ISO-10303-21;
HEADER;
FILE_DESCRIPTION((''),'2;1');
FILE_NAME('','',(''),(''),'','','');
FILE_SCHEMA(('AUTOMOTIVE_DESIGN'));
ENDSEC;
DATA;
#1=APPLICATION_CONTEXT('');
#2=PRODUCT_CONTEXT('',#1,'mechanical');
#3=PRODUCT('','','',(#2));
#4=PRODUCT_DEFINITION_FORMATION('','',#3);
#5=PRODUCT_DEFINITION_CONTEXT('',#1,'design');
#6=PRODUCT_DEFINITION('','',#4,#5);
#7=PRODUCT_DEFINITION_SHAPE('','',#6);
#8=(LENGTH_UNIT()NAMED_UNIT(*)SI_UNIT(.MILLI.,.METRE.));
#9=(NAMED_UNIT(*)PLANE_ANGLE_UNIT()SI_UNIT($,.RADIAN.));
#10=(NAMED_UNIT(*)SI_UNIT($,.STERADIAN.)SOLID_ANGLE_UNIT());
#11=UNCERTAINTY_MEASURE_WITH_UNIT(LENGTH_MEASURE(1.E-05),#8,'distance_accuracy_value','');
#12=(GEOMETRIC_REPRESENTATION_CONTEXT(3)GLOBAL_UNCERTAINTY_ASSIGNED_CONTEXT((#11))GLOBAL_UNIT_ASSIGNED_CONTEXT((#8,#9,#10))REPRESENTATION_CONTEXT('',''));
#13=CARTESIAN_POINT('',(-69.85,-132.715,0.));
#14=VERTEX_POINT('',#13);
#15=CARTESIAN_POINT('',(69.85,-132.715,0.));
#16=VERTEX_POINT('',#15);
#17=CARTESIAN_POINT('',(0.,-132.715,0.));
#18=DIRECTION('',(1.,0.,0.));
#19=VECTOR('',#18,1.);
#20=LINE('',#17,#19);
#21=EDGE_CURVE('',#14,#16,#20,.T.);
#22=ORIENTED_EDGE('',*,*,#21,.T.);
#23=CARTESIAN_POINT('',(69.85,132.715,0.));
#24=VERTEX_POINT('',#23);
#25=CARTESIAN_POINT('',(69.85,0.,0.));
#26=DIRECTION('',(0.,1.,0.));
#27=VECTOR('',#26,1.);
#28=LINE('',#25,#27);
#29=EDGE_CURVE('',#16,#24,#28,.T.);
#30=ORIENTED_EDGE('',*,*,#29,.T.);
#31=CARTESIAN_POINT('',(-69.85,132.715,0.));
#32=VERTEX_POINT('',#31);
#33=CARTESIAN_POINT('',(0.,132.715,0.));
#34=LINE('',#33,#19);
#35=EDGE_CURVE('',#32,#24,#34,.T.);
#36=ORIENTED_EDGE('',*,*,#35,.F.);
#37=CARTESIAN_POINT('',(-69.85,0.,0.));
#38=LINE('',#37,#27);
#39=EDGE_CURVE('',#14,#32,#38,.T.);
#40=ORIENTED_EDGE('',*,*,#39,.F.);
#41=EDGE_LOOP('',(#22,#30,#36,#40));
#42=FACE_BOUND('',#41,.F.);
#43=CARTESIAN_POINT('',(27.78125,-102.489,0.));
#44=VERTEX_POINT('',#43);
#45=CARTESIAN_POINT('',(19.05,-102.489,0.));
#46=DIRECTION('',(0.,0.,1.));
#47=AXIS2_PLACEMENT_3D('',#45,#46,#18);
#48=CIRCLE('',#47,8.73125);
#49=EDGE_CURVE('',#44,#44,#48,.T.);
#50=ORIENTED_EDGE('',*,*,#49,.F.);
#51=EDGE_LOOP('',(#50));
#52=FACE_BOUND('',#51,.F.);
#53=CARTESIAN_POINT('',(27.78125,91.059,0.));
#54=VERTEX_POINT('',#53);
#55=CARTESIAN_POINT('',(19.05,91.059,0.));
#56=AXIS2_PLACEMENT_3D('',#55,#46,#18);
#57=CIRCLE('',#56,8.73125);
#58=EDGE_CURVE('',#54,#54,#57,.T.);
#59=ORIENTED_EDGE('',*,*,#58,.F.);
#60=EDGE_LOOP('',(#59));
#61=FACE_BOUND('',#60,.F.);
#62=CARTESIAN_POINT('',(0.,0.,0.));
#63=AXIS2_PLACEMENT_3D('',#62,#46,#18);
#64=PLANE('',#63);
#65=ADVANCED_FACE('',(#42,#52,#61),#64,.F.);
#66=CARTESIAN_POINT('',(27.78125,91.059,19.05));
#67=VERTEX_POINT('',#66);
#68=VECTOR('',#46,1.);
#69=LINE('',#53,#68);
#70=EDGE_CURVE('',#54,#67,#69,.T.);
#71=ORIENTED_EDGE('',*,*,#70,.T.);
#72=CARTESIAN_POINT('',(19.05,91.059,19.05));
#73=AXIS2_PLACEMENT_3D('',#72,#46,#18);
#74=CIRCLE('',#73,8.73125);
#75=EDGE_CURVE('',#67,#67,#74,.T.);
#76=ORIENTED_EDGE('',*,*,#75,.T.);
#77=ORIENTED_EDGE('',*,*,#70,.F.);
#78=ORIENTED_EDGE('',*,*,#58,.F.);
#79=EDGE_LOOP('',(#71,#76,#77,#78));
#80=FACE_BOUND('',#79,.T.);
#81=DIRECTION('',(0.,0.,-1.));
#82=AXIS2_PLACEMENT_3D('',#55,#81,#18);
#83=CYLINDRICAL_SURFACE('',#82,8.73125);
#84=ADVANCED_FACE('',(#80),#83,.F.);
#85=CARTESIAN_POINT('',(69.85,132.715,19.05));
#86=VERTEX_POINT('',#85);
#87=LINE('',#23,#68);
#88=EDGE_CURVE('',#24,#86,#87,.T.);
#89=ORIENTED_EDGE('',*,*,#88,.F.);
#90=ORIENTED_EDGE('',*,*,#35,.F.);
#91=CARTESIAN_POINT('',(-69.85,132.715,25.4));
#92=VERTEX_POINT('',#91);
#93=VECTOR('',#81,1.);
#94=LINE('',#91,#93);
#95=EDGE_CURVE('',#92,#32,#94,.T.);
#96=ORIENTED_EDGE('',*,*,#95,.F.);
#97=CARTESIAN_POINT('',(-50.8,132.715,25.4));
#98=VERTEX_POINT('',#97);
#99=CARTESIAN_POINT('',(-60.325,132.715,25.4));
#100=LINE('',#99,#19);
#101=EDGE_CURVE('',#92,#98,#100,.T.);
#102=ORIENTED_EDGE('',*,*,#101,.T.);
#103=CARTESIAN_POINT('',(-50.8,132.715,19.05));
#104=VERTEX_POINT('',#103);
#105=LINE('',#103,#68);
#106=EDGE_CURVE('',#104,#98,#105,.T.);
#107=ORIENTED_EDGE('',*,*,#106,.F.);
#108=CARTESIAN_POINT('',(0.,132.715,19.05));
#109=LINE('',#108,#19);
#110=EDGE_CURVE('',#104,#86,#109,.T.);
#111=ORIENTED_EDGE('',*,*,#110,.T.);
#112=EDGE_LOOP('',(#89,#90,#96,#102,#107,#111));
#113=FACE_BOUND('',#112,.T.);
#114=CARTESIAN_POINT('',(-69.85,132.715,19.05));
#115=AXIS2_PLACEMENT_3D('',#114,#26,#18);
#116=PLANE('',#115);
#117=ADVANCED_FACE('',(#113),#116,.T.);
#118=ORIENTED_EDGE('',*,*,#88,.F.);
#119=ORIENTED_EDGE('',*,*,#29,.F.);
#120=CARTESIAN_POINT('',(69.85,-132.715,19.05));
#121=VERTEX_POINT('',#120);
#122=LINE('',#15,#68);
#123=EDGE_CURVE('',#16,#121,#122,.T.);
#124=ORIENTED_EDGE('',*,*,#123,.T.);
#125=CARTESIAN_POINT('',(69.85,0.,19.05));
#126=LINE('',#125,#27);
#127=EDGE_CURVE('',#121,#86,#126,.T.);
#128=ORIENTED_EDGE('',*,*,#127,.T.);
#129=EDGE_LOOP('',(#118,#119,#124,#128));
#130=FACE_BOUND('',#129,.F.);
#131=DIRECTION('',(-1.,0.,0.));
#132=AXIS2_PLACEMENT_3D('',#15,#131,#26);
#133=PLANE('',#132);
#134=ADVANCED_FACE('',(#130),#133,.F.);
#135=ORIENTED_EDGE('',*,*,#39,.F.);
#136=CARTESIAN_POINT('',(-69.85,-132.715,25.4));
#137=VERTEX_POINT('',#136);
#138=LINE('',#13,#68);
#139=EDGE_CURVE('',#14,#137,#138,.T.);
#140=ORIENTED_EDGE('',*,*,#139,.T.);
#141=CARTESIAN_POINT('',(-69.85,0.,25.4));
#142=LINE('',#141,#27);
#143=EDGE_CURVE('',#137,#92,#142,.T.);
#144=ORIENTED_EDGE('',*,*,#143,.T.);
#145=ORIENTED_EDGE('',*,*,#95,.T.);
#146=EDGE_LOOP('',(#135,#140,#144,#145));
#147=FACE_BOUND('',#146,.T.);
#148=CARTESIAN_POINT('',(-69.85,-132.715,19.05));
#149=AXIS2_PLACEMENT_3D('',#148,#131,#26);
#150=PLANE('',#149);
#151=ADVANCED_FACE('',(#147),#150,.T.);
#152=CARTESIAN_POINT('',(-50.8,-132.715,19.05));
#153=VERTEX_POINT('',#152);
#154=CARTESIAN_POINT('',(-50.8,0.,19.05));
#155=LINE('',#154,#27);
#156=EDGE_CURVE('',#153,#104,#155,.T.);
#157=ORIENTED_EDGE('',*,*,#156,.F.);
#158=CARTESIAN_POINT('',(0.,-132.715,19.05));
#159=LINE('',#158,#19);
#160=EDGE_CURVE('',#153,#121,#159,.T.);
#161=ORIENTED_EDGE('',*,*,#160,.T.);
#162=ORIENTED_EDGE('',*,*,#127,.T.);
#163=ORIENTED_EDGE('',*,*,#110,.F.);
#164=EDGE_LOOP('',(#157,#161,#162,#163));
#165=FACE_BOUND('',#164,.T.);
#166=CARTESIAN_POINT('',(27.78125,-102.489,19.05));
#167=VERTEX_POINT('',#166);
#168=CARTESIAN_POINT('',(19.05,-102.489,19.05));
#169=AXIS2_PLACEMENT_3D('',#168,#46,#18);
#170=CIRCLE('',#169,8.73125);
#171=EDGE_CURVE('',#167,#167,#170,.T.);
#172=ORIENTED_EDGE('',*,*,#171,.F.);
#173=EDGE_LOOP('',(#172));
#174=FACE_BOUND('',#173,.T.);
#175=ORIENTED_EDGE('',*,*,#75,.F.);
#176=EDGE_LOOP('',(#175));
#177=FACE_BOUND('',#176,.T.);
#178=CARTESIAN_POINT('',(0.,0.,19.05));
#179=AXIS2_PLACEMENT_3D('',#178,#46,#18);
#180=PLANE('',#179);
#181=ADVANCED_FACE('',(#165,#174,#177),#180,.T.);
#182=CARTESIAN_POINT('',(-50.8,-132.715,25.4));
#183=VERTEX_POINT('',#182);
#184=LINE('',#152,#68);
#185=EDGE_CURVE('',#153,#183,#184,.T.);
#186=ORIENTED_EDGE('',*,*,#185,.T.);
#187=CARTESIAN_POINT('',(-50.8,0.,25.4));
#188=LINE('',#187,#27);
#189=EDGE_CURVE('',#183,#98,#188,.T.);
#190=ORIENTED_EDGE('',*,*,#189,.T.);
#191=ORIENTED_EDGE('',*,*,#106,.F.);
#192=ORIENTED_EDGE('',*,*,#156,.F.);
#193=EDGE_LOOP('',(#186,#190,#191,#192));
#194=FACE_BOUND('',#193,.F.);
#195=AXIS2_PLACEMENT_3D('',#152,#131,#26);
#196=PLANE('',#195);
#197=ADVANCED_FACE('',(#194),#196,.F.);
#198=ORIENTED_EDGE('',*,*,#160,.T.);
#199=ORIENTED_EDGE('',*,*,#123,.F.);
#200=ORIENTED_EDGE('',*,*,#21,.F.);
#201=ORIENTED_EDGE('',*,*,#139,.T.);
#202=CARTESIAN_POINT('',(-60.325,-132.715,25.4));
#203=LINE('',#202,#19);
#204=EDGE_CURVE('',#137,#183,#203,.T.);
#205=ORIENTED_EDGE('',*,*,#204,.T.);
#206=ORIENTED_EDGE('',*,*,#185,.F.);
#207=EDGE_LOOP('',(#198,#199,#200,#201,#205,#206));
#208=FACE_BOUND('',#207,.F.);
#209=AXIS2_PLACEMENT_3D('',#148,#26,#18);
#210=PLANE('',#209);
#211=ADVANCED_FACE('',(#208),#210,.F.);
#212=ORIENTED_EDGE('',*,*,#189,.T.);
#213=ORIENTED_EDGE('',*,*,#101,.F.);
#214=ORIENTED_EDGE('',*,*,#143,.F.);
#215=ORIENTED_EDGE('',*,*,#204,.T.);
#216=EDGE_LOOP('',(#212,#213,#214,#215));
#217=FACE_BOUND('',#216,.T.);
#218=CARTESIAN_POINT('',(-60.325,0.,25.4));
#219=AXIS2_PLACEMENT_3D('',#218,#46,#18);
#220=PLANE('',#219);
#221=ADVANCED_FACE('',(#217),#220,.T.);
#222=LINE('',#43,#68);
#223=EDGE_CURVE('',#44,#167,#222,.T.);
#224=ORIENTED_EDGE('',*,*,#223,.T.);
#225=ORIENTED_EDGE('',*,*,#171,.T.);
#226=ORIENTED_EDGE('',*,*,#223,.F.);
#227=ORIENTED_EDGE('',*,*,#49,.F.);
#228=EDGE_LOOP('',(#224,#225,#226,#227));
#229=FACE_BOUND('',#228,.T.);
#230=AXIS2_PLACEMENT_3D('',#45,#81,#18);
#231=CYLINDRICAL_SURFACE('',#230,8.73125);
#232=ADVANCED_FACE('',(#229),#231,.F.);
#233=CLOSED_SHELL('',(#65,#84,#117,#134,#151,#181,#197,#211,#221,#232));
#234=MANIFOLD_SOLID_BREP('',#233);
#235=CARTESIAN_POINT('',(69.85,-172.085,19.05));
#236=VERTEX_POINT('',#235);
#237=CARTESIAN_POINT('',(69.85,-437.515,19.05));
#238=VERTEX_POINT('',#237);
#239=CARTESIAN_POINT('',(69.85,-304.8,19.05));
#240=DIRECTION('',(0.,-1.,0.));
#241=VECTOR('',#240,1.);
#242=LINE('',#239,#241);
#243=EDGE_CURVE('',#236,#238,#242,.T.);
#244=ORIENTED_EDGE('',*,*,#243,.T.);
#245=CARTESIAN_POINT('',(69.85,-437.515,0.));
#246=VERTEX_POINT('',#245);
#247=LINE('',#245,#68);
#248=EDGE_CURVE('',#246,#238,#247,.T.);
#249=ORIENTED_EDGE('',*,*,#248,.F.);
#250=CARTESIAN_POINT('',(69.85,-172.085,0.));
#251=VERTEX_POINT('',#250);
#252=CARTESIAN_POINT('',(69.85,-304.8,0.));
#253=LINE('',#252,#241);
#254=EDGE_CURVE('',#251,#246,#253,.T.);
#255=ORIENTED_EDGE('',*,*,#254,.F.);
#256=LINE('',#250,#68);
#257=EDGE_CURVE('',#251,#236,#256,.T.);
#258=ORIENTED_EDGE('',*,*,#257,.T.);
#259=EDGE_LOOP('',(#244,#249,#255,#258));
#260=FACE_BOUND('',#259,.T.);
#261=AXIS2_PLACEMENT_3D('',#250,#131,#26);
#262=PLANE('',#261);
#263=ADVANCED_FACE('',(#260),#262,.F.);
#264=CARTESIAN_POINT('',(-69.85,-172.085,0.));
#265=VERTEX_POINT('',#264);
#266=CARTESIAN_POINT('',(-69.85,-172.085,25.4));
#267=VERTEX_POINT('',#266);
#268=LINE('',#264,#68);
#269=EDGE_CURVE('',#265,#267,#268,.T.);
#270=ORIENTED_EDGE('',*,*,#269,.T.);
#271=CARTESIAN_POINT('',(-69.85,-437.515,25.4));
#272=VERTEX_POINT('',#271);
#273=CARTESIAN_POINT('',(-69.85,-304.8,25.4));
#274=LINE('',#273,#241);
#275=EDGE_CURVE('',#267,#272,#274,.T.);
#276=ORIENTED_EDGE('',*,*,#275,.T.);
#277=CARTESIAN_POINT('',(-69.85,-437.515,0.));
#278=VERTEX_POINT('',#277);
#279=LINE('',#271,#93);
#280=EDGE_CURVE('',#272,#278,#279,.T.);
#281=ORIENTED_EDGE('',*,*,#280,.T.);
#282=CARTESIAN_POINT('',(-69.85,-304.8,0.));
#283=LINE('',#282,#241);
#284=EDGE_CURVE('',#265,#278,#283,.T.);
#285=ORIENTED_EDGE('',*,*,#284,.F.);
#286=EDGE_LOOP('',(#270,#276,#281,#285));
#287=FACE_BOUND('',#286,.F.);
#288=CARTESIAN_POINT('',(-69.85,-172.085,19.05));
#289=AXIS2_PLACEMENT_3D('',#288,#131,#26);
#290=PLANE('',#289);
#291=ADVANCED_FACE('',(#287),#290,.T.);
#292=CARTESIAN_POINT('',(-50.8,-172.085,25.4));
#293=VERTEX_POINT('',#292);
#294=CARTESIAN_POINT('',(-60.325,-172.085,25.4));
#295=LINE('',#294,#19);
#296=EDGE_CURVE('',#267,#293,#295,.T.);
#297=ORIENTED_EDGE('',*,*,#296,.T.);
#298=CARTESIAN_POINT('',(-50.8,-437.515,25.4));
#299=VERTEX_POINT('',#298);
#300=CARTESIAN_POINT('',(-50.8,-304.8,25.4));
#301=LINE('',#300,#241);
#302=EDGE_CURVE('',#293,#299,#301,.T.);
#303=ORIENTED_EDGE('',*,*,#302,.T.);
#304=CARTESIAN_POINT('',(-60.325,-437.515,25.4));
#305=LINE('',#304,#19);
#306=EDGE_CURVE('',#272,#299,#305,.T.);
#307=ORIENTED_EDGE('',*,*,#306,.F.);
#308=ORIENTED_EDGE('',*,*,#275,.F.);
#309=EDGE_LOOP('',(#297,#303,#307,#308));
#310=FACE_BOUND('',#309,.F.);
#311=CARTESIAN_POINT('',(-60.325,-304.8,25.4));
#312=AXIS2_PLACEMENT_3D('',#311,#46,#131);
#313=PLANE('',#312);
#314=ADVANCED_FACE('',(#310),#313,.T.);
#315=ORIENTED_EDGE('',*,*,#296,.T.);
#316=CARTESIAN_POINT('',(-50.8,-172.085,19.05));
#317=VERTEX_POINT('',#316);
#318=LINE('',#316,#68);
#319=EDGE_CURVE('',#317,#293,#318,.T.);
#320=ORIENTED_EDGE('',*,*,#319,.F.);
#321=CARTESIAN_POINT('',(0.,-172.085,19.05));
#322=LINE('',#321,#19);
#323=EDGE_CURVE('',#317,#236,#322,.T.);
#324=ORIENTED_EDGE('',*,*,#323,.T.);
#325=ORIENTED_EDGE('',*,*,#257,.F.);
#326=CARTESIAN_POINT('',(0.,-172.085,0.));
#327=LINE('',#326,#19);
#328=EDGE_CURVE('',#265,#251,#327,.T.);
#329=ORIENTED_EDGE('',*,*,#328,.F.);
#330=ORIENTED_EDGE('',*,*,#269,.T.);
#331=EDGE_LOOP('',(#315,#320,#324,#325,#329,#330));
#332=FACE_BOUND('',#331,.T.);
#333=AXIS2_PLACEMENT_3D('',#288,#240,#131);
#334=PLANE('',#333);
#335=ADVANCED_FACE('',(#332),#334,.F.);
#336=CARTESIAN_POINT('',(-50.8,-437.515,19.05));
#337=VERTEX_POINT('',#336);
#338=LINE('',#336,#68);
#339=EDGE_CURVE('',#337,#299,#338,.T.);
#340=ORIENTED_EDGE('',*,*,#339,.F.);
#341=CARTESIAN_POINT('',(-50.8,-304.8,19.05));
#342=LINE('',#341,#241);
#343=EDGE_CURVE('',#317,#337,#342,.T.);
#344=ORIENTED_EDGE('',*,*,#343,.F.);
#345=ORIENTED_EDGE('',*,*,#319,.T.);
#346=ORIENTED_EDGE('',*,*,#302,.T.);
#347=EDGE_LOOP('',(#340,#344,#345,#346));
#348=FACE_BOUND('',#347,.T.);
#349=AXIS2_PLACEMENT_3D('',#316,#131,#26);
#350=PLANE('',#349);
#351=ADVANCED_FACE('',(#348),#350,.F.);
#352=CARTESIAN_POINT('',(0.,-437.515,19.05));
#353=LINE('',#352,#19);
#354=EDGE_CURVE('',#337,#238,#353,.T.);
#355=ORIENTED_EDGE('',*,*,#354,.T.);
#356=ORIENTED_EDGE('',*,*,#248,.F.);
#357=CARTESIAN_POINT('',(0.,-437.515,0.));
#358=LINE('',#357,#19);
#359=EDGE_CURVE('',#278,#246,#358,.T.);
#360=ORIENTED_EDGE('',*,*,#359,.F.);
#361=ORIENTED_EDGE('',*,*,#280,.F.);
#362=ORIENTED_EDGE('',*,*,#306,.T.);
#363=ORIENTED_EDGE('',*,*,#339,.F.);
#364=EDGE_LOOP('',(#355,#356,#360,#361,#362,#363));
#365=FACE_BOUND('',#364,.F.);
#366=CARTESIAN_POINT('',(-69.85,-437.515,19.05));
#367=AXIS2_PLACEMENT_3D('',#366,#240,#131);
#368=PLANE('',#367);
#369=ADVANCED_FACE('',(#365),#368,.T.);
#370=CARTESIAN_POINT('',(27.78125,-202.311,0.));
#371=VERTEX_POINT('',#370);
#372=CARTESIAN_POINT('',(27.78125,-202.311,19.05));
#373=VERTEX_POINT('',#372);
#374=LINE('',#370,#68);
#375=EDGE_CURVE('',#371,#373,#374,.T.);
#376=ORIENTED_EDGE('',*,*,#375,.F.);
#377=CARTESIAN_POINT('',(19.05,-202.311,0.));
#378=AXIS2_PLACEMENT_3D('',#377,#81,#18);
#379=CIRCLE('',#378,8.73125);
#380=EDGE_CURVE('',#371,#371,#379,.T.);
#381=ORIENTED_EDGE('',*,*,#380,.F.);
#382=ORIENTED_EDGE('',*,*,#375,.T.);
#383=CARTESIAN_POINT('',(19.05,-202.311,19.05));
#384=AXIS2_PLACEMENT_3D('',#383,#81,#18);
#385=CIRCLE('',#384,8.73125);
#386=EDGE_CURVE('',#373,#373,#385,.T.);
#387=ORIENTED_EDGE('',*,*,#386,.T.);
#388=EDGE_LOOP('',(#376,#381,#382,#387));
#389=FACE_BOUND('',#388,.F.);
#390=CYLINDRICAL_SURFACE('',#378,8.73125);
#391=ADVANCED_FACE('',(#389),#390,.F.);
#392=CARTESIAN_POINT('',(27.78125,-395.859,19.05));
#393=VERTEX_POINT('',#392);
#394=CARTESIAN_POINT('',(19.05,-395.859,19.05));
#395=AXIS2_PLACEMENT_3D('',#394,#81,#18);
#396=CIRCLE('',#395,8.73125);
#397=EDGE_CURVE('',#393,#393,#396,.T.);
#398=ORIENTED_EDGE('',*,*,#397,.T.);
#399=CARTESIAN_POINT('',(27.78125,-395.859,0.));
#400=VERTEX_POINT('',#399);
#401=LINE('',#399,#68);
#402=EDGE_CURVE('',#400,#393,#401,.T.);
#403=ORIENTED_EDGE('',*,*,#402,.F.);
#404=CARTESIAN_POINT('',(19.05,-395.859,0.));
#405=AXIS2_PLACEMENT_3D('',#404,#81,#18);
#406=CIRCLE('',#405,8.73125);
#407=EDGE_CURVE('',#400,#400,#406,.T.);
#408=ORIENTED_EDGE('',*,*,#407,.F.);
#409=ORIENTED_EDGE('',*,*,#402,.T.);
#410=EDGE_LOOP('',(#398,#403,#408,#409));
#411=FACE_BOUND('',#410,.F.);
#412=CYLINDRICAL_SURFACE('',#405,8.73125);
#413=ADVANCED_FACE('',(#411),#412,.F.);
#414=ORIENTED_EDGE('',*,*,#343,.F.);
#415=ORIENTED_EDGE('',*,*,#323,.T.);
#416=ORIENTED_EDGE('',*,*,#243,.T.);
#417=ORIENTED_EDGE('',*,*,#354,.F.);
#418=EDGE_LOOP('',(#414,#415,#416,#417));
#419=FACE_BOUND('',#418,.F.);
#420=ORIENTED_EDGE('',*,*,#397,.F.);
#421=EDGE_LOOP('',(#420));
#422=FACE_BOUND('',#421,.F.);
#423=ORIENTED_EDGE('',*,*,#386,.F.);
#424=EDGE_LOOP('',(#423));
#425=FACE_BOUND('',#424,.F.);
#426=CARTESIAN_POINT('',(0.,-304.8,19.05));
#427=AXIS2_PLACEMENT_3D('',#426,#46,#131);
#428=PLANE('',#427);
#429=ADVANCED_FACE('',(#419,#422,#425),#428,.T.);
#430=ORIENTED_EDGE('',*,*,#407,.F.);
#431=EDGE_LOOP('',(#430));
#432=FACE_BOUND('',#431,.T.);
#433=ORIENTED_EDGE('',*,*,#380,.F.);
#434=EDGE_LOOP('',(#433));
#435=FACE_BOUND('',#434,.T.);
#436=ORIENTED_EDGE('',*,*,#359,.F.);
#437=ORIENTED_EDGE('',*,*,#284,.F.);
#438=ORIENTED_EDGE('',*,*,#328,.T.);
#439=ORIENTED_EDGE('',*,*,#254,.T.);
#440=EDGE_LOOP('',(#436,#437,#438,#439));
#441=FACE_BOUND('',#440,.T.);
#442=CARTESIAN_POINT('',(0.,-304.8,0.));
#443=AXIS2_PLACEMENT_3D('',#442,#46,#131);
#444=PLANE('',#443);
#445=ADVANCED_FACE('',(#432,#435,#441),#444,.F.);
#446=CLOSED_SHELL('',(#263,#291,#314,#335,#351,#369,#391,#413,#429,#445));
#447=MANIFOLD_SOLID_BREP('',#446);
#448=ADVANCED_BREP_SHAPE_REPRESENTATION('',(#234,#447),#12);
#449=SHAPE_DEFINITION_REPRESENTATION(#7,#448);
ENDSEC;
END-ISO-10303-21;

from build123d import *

# Parameters (mm, degrees)
F0_W     = 139.7
F0_H     = 265.43
F0_R     = 8.73125
F1_DEPTH = 19.05
F2_W     = 19.05
F2_H     = 265.43
F3_DEPTH = 6.35


with BuildPart() as f1:
    # F0 (on Top) → F1 (new body)
    with BuildSketch(Plane.XY):
        Rectangle(F0_W, F0_H)
        with Locations((19.05, -102.489)):
            Circle(F0_R, mode=Mode.SUBTRACT)
        with Locations((19.05, 91.059)):
            Circle(F0_R, mode=Mode.SUBTRACT)
    extrude(amount=F1_DEPTH)

    # F2 (on face) → F3 (join)
    with BuildSketch(Plane.XY.offset(19.05)):
        with Locations((-60.325, 0)):
            Rectangle(F2_W, F2_H)
    extrude(amount=F3_DEPTH)


with BuildPart() as f5_1:
    # F5: instance of F1
    add(f1.part.mirror(Plane.XZ.offset(152.4)))


solid = Compound([f1.part, f5_1.part])
